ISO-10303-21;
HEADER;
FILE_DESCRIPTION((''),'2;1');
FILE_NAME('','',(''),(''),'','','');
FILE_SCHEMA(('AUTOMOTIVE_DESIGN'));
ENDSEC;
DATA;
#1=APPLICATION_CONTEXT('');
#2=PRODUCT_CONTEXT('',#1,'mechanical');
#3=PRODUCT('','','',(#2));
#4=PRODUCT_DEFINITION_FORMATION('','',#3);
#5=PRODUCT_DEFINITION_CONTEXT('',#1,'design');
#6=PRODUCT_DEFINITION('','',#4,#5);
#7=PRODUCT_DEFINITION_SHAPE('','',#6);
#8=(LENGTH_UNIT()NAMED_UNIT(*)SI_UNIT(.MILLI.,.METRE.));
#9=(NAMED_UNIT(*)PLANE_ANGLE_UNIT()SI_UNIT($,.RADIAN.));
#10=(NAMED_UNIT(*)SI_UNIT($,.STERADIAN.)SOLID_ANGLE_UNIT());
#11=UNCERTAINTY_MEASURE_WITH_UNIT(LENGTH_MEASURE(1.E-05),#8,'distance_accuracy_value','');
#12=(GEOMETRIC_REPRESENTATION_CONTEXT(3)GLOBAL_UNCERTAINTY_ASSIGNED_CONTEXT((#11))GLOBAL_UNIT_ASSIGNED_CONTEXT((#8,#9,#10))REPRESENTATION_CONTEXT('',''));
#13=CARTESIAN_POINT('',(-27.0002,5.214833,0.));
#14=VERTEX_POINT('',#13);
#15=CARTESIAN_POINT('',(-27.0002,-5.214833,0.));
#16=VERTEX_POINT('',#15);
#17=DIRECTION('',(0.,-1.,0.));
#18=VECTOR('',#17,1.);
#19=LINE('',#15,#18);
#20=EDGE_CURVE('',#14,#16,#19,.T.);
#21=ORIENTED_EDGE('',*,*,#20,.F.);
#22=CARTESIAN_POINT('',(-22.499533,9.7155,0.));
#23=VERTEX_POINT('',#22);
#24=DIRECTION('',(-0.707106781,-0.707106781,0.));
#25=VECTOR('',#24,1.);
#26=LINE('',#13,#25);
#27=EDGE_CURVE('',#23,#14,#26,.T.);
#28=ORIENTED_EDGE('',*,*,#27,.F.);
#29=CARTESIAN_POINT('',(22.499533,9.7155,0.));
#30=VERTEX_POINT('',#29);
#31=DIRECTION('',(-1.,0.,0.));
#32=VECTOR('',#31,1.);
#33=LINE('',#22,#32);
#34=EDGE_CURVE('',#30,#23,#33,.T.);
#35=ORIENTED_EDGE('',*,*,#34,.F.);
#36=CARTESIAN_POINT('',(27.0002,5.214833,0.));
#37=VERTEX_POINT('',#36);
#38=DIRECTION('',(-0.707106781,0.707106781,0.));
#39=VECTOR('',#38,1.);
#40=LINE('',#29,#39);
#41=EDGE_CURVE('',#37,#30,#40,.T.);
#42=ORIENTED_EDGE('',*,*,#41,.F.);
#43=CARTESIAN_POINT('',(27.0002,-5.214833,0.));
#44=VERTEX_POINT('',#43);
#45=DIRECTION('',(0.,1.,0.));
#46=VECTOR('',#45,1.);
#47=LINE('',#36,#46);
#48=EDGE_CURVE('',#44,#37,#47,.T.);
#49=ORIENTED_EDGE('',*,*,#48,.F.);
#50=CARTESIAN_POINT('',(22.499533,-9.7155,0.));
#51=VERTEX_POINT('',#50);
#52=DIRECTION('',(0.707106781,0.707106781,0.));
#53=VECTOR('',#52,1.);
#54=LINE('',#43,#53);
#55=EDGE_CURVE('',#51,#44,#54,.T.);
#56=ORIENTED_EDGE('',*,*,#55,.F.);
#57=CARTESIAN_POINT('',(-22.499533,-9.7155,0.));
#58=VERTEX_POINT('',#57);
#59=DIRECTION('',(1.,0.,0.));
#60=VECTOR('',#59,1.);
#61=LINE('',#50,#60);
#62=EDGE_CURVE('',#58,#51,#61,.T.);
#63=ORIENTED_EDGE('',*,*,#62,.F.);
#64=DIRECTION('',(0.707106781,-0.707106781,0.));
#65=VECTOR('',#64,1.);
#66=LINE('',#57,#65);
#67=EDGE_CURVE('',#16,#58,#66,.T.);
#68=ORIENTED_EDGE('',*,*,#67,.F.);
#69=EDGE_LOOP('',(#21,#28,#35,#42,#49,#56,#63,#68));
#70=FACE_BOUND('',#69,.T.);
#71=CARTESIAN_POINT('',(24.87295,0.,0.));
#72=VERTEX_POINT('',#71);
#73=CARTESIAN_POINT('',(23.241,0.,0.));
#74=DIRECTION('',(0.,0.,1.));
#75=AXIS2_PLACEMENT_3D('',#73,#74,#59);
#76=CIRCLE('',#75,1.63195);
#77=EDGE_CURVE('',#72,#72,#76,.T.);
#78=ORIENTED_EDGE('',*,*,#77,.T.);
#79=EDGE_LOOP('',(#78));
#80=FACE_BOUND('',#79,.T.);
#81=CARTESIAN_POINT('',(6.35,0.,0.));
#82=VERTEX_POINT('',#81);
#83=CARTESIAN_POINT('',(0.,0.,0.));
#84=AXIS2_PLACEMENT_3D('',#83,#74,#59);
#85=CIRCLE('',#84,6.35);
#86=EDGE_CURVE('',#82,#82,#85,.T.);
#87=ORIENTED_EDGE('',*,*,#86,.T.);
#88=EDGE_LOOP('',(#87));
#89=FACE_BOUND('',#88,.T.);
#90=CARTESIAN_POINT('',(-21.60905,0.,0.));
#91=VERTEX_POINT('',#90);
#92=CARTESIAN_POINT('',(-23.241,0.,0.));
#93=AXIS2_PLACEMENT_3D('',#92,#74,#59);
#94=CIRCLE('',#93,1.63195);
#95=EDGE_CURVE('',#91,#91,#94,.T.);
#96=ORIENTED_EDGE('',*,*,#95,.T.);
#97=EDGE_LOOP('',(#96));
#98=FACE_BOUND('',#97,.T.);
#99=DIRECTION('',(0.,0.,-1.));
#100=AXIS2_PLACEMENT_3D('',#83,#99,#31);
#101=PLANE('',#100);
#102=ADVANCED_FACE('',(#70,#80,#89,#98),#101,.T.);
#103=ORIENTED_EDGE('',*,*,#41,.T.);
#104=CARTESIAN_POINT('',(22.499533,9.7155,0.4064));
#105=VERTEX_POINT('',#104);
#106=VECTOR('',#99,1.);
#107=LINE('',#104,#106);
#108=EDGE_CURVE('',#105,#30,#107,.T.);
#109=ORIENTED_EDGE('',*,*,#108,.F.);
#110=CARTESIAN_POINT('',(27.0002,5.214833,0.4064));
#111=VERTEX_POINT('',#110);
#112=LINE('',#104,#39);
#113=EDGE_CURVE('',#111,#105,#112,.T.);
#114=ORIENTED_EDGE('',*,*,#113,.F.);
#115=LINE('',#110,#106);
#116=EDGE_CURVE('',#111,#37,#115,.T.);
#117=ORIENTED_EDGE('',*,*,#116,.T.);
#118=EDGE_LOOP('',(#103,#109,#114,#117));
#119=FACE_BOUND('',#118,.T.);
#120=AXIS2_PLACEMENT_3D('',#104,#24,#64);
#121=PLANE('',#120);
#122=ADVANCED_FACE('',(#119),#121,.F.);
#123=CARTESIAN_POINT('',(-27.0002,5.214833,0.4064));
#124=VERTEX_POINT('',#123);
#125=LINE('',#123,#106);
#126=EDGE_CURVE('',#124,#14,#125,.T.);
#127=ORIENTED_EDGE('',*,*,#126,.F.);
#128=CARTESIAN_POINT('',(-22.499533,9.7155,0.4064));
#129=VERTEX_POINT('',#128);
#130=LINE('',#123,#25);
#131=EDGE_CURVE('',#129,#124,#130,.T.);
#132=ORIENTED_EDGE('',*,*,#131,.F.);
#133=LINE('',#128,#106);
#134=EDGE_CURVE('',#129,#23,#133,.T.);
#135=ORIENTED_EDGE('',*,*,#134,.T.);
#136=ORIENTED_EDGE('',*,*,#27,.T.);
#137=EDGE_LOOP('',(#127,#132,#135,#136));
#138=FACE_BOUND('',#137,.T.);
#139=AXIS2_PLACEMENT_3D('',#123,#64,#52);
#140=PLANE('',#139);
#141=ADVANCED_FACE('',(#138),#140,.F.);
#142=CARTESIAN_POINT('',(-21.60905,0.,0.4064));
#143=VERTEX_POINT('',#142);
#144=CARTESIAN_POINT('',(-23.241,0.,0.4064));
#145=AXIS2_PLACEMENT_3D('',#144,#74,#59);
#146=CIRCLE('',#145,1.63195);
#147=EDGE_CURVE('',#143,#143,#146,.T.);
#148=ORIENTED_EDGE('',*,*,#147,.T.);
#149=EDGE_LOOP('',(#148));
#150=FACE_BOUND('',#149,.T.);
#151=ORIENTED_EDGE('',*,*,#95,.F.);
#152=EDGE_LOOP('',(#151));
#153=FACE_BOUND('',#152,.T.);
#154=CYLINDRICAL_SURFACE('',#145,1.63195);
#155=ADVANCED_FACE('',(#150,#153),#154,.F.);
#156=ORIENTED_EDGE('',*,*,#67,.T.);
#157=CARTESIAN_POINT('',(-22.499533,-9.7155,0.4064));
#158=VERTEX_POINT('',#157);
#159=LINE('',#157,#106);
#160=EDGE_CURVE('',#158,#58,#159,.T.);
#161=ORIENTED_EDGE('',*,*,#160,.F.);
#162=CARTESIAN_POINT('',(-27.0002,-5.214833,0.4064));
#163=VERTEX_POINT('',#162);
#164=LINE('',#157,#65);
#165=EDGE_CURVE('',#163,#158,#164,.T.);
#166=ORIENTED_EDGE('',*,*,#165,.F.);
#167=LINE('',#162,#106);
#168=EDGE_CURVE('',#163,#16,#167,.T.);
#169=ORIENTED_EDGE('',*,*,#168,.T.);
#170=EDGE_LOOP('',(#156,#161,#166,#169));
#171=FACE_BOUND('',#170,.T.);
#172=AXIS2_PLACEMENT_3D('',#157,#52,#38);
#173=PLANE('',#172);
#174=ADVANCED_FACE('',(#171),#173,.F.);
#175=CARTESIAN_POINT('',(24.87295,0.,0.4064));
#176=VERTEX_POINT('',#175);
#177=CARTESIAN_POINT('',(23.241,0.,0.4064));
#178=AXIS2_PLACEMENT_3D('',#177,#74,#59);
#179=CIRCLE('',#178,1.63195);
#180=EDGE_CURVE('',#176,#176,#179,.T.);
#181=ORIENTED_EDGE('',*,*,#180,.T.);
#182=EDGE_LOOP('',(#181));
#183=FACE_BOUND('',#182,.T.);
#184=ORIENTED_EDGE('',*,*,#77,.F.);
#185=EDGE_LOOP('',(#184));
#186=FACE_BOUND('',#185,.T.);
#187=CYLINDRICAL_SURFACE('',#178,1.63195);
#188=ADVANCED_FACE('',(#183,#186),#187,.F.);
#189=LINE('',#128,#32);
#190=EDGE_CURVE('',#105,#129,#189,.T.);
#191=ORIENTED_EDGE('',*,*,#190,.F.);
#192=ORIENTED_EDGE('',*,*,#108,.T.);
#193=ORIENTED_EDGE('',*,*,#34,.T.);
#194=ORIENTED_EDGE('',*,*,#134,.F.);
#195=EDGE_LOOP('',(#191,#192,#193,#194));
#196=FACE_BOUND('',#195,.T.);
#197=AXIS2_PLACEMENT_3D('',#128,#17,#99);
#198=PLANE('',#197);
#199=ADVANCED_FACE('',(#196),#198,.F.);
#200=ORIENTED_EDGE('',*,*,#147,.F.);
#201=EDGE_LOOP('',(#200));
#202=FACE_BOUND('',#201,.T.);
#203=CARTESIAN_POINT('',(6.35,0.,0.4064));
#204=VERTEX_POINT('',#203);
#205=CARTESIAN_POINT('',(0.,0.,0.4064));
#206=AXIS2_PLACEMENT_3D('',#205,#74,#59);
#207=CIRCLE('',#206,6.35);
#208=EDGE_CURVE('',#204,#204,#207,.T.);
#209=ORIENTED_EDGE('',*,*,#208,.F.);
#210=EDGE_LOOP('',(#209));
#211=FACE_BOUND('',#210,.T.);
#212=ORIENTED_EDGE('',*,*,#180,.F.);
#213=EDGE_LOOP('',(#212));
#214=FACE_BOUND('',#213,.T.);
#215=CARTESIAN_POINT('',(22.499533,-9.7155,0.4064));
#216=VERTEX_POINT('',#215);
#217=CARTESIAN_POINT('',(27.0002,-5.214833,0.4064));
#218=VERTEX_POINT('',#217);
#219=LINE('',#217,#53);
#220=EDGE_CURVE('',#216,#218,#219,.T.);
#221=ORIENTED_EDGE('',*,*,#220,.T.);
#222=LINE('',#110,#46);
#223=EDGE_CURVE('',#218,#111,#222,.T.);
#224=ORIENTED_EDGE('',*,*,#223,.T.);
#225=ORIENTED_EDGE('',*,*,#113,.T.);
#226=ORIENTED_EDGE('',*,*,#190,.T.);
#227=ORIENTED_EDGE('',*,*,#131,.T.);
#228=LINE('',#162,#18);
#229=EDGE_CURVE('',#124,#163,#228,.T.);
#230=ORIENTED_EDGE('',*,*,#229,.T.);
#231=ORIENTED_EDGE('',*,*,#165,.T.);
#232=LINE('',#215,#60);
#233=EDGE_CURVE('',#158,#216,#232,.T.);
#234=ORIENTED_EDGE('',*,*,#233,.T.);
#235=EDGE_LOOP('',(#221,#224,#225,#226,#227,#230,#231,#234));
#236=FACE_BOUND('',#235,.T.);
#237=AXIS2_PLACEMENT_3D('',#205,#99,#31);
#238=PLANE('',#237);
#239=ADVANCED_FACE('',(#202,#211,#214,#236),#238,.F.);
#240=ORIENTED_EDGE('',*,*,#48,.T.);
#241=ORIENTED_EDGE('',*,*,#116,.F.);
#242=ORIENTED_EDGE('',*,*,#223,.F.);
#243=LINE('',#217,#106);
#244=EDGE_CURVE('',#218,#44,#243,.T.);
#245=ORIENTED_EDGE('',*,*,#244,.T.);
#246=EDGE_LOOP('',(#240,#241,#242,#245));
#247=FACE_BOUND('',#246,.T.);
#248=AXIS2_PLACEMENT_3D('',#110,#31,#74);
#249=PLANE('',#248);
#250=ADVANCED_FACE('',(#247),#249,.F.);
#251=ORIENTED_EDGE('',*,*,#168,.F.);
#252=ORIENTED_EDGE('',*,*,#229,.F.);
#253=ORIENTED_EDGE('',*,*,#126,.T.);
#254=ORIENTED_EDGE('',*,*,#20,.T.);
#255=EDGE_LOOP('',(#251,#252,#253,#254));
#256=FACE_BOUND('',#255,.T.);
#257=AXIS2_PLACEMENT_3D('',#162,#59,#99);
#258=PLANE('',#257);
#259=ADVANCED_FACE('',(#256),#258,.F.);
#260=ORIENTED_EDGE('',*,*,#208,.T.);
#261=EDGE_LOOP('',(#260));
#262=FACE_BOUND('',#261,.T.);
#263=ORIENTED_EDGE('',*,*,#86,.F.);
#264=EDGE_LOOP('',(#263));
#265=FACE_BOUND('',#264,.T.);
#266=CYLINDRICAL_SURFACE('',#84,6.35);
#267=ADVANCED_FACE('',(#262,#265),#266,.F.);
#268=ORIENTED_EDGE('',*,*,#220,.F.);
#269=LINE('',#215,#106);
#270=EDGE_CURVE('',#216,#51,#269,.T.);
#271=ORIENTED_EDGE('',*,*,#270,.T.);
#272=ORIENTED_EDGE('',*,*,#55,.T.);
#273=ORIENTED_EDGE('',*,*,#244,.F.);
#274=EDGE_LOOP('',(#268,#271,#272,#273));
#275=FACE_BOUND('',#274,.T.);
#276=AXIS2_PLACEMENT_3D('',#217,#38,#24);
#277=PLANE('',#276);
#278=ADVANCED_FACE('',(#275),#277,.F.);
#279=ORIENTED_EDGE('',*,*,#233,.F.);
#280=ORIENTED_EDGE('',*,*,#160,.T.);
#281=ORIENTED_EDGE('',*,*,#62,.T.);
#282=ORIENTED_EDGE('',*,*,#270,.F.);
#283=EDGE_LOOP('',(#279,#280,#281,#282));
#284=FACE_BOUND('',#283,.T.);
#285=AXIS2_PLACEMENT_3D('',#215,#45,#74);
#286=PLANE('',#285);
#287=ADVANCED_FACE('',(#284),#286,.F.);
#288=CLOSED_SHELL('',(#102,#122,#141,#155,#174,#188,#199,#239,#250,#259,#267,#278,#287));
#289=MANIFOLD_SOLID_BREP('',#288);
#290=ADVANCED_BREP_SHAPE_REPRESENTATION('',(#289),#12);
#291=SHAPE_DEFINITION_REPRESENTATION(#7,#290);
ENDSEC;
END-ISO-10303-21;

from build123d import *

# Parameters (mm, degrees)
BOSS_EXTRUDE1_DEPTH   = 0.4064
F_4_CLEARANCE_HOLE1_D = 3.2639
SKETCH5_R             = 6.35
CUT_EXTRUDE1_DEPTH    = 0.4064


with BuildPart() as part:
    # Sketch1 → Boss-Extrude1 (new body)
    with BuildSketch(Plane.XY):
        Polygon((22.499532885, 9.7155), (27.0002, 5.214832885), (27.0002, -5.214832885), (22.499532885, -9.7155), (-22.499532885, -9.7155), (-27.0002, -5.214832885), (-27.0002, 5.214832885), (-22.499532885, 9.7155), align=None)
    extrude(amount=BOSS_EXTRUDE1_DEPTH)

    # #4 Clearance Hole1 (through all)
    with Locations(Plane.XY.offset(0.4064)):
        with Locations((-23.241, 0), (23.241, 0)):
            Hole(F_4_CLEARANCE_HOLE1_D / 2)

    # Sketch5 → Cut-Extrude1 (cut)
    with BuildSketch(Plane.XY.offset(0.4064)):
        Circle(SKETCH5_R)
    extrude(amount=-CUT_EXTRUDE1_DEPTH, mode=Mode.SUBTRACT)


solid = part.part
